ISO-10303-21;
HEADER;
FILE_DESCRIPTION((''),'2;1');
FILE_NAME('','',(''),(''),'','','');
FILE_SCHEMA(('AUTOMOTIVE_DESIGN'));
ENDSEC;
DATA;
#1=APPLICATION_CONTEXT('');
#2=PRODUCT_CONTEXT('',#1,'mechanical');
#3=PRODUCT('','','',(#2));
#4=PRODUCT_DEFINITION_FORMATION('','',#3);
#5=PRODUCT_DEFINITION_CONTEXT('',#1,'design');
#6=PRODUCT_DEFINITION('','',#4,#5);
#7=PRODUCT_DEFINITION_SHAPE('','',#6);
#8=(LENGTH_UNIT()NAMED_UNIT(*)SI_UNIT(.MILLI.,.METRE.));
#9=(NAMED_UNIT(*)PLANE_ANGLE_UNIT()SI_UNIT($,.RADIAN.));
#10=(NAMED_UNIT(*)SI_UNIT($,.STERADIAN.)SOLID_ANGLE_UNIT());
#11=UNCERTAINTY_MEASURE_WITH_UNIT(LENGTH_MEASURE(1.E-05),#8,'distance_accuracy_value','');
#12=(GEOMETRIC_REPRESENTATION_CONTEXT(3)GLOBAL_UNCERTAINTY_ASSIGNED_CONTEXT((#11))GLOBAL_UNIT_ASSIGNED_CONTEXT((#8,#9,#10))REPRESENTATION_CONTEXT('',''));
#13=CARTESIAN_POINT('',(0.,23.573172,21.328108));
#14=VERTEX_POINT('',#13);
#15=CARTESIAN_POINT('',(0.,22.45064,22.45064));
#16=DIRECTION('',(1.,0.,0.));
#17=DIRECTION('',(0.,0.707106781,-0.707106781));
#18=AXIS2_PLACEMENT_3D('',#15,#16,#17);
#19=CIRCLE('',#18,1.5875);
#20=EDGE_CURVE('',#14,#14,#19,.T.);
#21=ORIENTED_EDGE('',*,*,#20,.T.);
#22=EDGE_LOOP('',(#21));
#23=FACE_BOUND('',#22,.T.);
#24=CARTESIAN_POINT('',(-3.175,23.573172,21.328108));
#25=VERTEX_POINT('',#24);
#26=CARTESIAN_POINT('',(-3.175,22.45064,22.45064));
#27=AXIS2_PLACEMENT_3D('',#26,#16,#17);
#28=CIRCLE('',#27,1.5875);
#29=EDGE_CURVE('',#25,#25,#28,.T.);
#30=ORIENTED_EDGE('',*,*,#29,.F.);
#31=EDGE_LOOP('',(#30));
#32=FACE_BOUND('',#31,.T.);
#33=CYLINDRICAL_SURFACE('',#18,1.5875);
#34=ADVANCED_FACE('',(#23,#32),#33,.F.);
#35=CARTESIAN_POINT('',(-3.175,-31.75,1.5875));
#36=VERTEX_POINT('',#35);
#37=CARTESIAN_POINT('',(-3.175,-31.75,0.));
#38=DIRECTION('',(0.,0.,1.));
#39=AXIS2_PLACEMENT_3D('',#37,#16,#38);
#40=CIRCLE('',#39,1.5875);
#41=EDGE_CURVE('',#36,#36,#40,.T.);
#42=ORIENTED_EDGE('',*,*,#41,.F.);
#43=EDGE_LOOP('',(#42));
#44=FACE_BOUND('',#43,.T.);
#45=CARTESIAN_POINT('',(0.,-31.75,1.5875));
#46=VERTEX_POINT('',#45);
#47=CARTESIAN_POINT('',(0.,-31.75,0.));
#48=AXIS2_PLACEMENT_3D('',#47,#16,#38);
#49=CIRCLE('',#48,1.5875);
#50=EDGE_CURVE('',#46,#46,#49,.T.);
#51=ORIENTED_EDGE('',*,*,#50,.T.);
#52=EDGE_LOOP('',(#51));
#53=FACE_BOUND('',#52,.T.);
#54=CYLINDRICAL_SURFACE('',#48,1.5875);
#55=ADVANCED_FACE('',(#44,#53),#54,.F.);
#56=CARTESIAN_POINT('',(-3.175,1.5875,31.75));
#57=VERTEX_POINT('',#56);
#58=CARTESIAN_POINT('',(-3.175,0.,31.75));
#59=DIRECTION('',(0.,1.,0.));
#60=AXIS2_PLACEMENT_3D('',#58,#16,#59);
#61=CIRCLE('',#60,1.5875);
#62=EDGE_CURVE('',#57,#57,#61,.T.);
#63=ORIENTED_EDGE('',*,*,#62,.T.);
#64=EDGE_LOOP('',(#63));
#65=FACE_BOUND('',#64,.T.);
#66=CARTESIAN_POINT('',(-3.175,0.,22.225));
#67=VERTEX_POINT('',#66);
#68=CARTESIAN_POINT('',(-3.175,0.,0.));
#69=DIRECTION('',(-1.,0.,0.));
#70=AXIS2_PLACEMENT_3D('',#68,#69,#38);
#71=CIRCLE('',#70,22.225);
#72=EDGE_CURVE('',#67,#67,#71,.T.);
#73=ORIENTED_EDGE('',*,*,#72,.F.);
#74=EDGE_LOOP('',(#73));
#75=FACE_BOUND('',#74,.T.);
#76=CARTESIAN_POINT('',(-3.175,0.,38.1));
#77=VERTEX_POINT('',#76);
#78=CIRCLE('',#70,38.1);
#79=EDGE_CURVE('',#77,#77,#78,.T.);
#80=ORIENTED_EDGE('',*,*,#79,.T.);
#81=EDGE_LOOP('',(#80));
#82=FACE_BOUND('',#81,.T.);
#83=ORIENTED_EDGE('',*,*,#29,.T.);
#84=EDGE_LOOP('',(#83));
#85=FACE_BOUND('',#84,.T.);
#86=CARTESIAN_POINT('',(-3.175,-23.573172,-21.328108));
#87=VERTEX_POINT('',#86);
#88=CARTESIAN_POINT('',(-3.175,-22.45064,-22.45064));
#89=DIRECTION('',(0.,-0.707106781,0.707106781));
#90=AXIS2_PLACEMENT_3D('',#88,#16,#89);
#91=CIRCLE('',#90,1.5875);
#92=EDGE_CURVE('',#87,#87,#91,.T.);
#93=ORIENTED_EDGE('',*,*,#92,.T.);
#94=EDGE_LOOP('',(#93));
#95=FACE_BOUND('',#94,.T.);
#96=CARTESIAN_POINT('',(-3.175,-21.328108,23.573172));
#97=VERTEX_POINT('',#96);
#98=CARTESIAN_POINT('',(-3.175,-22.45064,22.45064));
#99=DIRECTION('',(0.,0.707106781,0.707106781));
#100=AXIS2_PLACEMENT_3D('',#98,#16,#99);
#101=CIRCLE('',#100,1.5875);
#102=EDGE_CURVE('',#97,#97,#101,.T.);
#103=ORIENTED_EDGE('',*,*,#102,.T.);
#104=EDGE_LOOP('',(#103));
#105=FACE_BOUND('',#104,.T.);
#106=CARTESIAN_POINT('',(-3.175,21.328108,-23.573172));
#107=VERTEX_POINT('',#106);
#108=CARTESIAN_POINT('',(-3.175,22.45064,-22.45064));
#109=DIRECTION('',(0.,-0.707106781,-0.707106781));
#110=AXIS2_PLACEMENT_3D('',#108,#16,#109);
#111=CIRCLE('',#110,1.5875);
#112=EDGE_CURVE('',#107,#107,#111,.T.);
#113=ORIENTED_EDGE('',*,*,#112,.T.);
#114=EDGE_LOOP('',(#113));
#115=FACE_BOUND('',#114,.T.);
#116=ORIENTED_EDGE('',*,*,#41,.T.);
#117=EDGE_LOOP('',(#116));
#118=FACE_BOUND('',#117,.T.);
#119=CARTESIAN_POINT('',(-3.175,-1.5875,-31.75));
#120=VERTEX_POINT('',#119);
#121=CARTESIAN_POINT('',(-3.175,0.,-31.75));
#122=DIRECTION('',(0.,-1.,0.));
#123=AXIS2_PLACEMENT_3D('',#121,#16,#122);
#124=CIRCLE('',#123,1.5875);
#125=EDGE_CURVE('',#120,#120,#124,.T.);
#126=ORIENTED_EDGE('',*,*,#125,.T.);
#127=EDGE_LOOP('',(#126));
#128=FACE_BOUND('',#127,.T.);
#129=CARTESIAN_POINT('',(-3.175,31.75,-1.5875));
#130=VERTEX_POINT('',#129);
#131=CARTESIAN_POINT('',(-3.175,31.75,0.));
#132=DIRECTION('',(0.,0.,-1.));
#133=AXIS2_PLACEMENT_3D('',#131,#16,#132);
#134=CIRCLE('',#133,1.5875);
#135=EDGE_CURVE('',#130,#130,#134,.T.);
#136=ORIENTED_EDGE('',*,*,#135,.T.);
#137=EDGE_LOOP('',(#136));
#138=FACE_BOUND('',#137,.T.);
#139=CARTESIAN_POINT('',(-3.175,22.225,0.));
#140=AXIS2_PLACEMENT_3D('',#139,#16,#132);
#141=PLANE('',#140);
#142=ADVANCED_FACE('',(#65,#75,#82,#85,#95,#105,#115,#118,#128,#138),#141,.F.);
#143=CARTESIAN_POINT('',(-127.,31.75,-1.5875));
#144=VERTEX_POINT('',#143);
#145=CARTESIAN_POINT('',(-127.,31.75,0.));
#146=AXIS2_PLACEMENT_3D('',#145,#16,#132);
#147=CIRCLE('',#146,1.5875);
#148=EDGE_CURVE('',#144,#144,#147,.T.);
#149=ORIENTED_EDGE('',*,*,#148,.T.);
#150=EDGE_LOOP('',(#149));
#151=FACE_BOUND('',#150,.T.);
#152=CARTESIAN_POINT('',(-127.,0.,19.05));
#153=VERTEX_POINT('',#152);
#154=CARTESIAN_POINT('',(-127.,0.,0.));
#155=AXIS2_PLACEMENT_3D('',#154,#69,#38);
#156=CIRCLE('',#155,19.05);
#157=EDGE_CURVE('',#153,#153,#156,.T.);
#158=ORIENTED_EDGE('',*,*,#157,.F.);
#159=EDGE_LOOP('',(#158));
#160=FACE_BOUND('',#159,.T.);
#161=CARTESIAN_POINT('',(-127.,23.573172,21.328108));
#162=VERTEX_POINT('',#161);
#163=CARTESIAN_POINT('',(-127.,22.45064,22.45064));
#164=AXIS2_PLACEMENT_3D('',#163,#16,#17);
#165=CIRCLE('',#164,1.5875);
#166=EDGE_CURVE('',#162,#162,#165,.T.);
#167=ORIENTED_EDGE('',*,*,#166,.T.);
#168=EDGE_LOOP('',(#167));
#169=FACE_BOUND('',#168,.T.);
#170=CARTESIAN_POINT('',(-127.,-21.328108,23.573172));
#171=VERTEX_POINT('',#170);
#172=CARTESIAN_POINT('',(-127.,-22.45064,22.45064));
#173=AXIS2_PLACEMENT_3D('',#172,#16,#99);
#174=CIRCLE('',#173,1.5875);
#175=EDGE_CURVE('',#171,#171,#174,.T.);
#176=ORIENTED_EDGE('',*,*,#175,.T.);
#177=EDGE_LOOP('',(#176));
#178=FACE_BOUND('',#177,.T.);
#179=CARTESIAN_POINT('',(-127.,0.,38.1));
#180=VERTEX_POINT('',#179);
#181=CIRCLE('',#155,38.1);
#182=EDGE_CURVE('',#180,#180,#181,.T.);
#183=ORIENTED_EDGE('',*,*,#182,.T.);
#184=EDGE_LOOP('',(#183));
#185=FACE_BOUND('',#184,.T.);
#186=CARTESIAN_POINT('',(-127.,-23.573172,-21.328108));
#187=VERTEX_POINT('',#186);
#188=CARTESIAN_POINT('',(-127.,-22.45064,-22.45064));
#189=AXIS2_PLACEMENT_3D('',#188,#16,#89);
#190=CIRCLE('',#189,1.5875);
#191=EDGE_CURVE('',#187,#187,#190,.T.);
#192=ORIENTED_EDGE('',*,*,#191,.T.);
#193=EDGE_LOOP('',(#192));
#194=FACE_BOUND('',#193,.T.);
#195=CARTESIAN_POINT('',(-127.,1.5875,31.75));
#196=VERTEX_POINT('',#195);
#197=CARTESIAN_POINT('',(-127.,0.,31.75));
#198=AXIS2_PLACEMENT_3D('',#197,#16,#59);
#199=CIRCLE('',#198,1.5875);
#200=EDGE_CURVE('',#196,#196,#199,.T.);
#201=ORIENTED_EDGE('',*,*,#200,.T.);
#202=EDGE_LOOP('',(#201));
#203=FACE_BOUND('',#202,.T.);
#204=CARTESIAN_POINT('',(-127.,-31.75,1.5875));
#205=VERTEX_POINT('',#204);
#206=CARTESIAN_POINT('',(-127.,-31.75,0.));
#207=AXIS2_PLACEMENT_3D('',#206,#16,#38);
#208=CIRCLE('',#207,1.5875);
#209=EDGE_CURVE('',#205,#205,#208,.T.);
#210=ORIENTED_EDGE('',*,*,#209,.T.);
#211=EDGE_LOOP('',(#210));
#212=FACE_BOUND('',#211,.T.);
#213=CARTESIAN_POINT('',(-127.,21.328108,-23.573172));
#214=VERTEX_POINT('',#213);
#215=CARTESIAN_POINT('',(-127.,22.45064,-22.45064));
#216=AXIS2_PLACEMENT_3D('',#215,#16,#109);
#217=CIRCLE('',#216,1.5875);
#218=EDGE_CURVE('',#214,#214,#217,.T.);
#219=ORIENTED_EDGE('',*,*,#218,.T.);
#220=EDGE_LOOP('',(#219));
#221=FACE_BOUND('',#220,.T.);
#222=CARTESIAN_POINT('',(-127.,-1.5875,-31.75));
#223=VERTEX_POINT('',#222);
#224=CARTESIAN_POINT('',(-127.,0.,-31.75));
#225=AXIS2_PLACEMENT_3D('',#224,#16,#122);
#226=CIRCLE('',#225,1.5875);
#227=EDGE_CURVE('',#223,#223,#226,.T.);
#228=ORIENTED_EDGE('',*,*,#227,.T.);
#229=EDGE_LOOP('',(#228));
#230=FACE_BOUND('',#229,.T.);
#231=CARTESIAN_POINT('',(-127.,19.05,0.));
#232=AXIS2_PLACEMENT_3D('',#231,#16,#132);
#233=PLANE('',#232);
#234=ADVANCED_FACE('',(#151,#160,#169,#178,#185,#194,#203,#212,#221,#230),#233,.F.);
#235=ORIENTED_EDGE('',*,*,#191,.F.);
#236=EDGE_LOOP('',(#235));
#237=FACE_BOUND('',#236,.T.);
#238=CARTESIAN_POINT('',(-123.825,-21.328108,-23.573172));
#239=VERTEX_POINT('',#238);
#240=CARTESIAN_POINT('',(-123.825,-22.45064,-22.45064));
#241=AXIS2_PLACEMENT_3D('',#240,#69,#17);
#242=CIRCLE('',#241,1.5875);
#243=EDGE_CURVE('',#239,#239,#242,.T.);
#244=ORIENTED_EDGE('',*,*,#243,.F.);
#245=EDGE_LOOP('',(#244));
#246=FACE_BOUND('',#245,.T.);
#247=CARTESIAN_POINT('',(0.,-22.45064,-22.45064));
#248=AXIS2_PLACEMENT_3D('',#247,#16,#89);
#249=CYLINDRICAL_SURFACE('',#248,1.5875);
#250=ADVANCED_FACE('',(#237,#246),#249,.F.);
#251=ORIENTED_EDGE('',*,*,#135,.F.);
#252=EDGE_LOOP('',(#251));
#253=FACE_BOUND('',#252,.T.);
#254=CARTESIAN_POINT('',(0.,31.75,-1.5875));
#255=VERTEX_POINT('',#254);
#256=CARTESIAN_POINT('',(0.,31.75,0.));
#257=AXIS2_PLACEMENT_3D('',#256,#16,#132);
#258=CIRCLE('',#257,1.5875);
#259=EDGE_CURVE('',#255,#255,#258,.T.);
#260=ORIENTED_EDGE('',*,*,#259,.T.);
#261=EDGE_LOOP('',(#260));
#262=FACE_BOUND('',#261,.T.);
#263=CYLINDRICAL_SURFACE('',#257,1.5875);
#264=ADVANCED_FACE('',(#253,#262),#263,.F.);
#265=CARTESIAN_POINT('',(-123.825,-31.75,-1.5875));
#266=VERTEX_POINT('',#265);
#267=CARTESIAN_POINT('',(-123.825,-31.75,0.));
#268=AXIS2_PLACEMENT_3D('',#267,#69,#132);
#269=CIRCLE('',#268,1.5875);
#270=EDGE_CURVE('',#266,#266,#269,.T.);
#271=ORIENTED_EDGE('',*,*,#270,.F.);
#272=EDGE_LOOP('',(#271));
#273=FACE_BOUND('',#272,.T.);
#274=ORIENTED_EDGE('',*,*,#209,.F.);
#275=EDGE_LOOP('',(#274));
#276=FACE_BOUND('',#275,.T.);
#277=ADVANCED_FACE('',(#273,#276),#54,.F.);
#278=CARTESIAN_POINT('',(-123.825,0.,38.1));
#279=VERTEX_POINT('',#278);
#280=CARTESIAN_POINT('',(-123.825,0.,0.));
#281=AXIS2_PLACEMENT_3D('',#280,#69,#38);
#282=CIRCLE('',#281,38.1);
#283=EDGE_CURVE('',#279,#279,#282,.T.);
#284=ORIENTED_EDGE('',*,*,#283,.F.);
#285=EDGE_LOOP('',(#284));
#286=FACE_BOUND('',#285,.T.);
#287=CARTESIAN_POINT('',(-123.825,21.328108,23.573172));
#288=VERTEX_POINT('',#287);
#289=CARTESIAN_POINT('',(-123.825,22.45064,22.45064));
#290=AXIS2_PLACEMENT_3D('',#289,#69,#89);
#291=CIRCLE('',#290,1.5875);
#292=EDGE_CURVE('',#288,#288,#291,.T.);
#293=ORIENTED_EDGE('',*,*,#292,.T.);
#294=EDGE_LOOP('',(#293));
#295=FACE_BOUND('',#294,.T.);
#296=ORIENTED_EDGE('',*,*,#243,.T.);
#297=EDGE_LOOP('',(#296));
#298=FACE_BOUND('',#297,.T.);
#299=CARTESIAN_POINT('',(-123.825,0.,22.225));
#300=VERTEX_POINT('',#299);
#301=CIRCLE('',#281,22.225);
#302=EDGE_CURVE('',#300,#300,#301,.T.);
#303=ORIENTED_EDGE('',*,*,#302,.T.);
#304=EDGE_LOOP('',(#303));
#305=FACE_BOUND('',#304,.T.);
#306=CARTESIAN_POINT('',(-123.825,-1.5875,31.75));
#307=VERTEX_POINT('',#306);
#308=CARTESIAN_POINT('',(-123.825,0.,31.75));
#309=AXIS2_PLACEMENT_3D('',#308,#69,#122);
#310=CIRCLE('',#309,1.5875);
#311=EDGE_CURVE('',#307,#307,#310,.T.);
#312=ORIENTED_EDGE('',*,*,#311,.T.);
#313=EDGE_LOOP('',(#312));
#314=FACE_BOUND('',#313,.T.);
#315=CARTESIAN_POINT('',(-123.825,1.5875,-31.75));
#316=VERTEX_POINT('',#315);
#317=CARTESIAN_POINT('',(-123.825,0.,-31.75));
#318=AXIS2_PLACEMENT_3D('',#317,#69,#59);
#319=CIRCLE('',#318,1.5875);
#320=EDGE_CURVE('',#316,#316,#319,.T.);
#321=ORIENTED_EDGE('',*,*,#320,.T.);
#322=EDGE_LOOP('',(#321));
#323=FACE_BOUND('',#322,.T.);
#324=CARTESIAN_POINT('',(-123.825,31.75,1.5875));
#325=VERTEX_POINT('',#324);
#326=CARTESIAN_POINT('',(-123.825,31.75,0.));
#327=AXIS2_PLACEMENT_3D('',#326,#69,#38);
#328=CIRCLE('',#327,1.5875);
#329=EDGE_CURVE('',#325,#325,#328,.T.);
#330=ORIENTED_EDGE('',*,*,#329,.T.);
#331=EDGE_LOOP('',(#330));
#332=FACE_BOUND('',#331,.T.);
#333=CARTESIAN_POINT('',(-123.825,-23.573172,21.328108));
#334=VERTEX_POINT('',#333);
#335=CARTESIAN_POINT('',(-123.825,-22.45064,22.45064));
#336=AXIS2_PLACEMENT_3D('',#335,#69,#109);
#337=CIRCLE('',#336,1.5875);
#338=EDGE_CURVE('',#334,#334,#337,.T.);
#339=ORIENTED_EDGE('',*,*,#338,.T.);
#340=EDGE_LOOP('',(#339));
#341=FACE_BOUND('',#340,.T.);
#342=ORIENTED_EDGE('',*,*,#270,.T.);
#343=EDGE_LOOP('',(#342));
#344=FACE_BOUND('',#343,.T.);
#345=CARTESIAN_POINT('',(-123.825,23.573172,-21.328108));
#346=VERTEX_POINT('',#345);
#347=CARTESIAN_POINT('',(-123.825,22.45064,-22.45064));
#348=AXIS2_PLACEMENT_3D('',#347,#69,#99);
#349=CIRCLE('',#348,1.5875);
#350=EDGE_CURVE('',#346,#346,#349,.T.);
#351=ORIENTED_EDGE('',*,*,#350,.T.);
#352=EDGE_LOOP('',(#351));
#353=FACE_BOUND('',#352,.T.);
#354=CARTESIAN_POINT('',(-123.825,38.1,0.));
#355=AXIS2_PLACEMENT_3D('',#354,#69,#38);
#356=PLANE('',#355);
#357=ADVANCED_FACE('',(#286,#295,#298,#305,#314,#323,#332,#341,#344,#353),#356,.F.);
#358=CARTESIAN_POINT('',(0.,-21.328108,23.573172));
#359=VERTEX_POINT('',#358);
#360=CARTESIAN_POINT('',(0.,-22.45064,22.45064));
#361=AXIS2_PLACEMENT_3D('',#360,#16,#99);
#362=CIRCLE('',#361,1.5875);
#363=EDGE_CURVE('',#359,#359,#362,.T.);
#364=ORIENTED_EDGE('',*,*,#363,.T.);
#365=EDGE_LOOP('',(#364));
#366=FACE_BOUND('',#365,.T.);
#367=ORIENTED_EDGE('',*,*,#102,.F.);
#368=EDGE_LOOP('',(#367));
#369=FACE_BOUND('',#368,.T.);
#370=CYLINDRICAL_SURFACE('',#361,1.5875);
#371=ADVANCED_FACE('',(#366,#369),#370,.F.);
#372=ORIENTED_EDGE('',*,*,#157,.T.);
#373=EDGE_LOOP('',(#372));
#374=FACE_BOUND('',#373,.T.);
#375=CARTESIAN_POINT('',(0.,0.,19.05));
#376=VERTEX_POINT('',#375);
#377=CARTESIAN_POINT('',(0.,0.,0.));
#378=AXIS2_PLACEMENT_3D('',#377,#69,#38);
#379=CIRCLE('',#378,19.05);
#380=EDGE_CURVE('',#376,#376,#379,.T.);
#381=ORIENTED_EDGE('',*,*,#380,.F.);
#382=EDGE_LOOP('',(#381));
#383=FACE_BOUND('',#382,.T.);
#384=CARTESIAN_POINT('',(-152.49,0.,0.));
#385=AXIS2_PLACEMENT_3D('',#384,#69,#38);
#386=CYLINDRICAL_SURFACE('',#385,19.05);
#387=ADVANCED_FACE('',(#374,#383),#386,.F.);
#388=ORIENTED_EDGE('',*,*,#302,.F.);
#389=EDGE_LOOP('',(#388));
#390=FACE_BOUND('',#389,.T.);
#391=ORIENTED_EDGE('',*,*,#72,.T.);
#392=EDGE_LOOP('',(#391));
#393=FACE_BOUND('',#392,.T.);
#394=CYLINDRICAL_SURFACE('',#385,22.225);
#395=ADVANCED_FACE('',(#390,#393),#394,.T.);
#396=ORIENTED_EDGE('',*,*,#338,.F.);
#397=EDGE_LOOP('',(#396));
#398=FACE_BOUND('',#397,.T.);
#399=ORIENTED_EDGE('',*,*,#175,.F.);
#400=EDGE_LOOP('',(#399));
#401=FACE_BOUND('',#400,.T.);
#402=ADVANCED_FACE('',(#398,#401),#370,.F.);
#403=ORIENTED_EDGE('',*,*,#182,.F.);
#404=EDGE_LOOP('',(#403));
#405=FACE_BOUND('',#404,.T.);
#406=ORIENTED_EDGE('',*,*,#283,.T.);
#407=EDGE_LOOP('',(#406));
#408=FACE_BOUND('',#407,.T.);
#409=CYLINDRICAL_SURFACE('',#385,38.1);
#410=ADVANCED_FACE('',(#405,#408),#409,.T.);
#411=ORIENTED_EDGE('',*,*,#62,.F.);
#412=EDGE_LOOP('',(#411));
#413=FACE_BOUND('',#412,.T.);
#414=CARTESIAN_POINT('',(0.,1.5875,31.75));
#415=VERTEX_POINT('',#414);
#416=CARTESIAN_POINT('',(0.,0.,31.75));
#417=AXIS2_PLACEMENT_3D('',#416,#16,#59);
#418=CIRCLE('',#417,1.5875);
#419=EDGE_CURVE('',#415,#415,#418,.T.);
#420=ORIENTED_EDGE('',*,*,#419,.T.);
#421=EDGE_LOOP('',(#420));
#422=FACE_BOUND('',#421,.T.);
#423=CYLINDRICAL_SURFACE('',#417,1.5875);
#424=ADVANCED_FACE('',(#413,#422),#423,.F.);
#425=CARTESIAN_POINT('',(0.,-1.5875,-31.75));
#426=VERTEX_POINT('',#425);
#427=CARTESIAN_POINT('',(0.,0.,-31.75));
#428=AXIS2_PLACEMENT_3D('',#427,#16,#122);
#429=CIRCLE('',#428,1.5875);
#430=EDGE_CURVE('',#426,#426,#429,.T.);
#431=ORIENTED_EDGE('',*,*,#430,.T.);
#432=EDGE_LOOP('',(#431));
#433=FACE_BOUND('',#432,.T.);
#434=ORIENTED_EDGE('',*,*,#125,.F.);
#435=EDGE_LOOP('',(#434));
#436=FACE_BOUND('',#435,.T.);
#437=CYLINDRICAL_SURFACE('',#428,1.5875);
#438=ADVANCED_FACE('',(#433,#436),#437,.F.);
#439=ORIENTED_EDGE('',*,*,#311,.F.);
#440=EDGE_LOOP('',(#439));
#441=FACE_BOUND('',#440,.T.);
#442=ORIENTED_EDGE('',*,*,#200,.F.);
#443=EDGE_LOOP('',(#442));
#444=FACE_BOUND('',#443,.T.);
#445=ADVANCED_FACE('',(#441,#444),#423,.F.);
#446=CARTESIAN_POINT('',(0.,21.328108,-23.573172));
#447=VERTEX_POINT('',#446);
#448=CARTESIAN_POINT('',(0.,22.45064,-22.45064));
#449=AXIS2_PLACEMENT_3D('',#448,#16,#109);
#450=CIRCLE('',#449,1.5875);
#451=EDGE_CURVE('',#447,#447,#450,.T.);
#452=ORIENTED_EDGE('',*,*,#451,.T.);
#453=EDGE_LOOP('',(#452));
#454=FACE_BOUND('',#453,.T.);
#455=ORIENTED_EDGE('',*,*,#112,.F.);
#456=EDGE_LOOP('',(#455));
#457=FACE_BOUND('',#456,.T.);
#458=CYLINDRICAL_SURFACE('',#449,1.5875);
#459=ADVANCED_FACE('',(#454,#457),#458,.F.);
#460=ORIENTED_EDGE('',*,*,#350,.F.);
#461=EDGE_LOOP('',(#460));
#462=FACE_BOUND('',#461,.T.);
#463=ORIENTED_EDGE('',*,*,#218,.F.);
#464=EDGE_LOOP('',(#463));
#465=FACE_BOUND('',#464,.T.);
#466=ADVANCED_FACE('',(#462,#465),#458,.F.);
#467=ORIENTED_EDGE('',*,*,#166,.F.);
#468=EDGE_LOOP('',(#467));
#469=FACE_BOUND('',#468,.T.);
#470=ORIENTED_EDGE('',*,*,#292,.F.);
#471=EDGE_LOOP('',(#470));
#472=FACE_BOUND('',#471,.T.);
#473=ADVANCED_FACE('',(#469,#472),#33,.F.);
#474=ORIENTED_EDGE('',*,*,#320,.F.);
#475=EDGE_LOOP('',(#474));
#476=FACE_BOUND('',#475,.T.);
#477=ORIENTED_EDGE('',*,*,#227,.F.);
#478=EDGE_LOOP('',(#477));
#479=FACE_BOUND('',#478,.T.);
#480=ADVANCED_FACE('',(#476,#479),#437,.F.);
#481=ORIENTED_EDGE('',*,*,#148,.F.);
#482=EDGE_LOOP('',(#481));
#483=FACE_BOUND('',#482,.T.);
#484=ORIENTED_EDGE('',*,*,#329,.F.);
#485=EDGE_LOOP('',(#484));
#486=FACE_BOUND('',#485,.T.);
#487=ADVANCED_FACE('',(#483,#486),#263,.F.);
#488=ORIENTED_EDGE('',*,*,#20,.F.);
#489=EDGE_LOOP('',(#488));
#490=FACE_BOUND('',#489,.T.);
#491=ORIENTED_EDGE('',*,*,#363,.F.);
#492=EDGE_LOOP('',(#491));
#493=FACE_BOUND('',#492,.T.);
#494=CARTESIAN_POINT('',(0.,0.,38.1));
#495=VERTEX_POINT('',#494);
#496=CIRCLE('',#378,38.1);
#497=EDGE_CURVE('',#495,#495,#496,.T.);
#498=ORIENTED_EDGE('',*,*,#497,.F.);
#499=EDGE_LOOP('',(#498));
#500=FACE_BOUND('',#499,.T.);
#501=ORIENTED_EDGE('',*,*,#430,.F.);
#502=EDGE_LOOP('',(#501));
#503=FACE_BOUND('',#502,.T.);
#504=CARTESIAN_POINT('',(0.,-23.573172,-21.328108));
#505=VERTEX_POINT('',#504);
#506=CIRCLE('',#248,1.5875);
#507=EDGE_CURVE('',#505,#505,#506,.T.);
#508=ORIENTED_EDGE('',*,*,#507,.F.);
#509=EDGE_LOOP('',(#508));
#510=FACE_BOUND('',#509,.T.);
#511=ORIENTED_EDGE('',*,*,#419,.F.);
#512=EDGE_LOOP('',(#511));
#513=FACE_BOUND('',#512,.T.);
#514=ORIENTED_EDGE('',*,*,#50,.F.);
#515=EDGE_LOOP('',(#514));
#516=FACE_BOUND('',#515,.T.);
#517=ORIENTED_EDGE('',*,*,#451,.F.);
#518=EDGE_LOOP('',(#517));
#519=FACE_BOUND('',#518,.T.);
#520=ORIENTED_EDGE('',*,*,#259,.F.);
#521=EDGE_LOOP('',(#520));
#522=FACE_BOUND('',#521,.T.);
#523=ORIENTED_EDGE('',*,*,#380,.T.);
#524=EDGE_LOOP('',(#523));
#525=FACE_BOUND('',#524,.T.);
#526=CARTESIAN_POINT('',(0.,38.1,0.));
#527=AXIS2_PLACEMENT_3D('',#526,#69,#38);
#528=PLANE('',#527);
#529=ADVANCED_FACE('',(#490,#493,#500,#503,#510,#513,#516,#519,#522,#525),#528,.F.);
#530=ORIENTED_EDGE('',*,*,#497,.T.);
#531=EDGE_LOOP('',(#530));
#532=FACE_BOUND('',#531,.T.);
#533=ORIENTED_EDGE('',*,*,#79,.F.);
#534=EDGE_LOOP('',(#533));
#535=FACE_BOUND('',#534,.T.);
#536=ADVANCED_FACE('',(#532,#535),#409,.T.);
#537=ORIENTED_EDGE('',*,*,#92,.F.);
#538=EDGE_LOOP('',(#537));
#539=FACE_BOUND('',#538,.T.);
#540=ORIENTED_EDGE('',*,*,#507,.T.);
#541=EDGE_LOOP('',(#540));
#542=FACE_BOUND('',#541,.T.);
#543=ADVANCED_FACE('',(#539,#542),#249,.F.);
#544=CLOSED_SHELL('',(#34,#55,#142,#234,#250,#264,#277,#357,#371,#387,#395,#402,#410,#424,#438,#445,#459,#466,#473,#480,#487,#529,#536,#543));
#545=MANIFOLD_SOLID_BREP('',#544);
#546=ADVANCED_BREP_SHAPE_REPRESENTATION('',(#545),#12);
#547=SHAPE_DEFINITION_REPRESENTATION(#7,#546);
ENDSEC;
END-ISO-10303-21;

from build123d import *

# Parameters (mm, degrees)
F_1_8_0_125_DIAMETER_HOLE1_D = 3.175
CIRPATTERN1_COUNT            = 8


with BuildPart() as part:
    # Sketch1 → Revolve1 (revolve)
    with BuildSketch(Plane.XY):
        Polygon((0, 38.1), (0, 19.05), (-127, 19.05), (-127, 38.1), (-123.825, 38.1), (-123.825, 22.225), (-3.175, 22.225), (-3.175, 38.1), align=None)
    revolve(axis=Axis((-152.49, 0, 0), (1, 0, 0)))

    # 1/8 (0.125) Diameter Hole1 (through all)
    with Locations(Plane(origin=(0, 0, 0), x_dir=(0, 0, -1), z_dir=(1, 0, 0))):
        with Locations((0, 31.75)):
            f_1_8_0_125_diameter_hole1 = Hole(F_1_8_0_125_DIAMETER_HOLE1_D / 2)

    # CirPattern1: 1/8 (0.125) Diameter Hole1 ×8 about axis
    cirpattern1_axis = Axis((0, 0, 0), (1, 0, 0))
    for i in range(1, CIRPATTERN1_COUNT):
        add(f_1_8_0_125_diameter_hole1.rotate(cirpattern1_axis, i * 360 / CIRPATTERN1_COUNT), mode=Mode.SUBTRACT)


solid = part.part
